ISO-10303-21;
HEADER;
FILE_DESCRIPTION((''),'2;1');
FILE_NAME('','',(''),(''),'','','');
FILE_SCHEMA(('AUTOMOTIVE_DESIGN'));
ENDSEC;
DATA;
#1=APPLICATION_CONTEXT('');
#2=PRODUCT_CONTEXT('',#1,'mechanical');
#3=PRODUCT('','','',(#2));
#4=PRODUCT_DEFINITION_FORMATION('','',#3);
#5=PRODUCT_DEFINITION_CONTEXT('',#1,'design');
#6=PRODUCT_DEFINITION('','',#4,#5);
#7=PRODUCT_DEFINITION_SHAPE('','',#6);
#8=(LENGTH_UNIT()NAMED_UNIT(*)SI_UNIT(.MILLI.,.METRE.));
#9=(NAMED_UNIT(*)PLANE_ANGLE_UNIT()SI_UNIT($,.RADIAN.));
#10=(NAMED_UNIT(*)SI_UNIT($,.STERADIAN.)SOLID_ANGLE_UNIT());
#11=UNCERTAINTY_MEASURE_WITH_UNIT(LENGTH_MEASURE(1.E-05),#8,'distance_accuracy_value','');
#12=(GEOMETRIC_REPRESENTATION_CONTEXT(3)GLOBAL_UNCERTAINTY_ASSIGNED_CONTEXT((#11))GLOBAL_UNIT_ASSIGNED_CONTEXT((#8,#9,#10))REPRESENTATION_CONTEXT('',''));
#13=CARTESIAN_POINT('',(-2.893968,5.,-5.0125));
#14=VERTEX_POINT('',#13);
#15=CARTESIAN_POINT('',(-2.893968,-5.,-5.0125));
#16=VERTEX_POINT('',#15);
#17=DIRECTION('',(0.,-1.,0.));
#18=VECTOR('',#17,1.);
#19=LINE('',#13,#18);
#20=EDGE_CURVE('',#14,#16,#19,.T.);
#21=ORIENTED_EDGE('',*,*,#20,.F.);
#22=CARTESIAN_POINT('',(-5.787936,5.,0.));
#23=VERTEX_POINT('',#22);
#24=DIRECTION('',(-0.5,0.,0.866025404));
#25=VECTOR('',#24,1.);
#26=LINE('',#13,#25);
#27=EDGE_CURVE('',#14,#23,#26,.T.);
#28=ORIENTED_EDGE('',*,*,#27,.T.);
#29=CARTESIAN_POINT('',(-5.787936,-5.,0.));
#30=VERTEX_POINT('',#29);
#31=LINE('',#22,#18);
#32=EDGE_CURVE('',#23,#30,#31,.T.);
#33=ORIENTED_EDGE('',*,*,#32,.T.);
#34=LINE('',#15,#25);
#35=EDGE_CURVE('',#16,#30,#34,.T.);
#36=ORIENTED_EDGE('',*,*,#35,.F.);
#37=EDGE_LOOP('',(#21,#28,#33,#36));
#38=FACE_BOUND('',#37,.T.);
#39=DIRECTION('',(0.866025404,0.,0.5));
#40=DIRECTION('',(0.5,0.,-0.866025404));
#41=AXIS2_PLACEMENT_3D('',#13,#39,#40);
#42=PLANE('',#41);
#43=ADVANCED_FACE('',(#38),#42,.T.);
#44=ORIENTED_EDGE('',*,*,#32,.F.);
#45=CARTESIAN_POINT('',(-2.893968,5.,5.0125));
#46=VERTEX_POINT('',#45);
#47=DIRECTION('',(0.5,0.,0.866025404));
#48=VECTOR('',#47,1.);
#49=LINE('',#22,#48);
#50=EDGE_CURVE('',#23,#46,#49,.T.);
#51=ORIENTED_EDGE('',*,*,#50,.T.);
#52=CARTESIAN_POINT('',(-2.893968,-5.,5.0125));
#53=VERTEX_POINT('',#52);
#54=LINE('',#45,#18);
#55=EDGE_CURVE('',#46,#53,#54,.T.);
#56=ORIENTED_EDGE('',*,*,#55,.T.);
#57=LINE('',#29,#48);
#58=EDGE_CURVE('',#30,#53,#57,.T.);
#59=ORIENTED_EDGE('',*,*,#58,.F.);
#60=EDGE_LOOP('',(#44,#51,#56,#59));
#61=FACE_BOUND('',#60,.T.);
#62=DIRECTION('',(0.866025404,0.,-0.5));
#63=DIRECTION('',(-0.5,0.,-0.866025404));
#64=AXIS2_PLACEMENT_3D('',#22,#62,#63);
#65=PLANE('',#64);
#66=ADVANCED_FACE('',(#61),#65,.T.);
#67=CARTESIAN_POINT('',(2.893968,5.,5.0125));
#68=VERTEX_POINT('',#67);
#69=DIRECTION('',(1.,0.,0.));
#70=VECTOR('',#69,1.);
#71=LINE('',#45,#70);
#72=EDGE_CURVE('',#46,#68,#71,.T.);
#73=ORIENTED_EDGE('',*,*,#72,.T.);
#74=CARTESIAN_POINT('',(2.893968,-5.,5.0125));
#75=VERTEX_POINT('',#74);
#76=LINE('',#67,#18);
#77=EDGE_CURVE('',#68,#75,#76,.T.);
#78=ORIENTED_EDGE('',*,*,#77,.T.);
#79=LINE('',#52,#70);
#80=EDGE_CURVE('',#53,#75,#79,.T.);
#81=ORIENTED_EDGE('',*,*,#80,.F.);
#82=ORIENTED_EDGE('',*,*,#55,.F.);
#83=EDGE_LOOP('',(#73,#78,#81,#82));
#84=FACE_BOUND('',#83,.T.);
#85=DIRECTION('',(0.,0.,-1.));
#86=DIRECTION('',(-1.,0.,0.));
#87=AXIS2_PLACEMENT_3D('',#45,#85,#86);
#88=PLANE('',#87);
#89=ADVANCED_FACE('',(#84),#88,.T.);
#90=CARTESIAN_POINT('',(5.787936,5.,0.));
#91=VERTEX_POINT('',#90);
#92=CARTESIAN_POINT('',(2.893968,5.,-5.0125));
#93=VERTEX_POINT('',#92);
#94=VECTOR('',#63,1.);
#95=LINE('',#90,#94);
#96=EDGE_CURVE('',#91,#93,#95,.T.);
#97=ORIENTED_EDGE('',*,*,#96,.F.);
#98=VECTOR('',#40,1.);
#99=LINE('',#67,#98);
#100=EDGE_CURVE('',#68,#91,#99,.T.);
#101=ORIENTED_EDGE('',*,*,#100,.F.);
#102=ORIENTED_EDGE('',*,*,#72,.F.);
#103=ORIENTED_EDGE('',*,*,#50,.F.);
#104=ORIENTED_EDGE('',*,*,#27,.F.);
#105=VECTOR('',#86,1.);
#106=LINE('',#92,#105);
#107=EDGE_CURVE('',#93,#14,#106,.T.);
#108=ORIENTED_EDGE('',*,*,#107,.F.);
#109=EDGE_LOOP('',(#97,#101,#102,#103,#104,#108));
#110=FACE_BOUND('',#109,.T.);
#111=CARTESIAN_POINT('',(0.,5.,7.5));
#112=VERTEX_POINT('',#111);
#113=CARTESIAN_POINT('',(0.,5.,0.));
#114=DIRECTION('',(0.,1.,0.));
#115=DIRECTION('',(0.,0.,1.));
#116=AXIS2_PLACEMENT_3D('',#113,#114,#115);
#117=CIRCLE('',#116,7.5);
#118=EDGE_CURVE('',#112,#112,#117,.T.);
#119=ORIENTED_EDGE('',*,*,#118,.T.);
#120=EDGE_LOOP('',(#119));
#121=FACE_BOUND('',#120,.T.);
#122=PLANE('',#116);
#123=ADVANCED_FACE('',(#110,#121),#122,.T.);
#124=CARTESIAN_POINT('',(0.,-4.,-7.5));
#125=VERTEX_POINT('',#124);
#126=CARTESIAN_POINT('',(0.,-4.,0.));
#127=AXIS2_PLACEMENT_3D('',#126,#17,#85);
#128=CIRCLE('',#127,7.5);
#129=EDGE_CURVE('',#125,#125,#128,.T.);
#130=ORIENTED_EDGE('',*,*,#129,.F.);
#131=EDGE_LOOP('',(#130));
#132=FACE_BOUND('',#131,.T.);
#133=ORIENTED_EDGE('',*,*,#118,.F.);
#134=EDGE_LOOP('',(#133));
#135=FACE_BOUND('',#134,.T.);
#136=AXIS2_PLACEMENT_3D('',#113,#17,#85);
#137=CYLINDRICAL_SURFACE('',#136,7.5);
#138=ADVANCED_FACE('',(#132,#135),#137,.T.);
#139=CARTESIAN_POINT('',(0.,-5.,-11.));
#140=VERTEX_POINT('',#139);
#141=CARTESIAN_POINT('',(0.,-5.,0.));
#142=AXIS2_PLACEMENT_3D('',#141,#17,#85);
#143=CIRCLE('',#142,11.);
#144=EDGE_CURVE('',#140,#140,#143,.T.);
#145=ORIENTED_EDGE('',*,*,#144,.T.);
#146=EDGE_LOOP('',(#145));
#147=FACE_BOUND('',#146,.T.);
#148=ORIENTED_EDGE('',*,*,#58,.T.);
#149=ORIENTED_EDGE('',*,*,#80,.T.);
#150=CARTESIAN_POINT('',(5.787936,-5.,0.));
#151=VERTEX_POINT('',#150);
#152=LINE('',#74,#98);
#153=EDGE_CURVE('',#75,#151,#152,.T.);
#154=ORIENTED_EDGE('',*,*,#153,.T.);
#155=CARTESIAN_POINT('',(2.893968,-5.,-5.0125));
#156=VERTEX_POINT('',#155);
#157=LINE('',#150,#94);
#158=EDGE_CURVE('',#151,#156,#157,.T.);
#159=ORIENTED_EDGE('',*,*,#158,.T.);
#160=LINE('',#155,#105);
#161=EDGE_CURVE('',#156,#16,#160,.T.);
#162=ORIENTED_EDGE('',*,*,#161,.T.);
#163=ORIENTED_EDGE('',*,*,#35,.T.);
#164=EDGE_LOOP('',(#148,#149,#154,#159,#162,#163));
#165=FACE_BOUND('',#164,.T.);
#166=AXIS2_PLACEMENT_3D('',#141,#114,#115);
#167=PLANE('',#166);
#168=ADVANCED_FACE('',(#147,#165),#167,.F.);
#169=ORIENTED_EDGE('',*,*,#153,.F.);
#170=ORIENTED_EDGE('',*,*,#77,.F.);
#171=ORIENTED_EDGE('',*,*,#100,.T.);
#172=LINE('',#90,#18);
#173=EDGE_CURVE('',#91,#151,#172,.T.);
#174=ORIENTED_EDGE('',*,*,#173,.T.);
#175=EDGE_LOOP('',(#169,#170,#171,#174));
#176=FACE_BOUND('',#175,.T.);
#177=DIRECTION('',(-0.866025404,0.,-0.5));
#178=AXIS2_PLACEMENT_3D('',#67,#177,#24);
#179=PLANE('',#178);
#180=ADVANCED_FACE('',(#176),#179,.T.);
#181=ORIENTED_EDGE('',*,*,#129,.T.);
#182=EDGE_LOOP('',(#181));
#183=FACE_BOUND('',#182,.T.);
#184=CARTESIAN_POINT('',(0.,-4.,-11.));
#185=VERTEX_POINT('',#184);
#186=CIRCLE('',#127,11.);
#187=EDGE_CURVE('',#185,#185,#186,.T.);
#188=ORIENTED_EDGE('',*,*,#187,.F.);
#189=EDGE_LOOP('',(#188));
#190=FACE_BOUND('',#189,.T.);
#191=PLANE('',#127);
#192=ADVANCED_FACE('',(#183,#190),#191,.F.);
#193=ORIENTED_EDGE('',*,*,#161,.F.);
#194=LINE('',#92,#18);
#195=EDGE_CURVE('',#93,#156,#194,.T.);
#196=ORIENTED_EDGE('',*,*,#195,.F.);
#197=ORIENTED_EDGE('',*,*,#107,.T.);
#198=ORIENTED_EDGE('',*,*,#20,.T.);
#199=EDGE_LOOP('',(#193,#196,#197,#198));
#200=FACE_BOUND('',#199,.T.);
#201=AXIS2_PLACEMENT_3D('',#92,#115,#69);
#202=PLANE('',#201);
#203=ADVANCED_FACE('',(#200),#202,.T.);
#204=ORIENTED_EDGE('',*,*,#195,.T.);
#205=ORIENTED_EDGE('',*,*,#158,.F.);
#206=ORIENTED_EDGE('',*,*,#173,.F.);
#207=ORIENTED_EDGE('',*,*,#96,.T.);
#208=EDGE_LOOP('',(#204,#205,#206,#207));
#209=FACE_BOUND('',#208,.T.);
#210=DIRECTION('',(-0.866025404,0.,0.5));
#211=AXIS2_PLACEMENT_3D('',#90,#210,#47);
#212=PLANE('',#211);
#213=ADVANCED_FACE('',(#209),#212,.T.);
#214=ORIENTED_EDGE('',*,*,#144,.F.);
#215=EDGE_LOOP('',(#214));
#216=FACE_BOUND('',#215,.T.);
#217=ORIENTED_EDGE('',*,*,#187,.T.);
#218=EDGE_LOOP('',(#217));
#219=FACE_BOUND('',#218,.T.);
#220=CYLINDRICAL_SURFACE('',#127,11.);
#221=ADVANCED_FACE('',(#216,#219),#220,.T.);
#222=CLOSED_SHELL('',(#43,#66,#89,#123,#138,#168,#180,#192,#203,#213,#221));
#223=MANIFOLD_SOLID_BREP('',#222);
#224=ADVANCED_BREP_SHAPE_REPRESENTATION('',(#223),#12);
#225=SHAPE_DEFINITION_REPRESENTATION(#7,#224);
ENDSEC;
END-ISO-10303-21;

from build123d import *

# Parameters (mm, degrees)
SKETCH1_R           = 7.5
BOSS_EXTRUDE1_DEPTH = 5
BOSS_EXTRUDE2_START = -1
SKETCH2_R           = 11
SKETCH2_R_2         = 7.5
BOSS_EXTRUDE2_DEPTH = 1


with BuildPart() as part:
    # Sketch1 → Boss-Extrude1 (new, symmetric)
    with BuildSketch(Plane(origin=(0, 0, 0), x_dir=(1, 0, 0), z_dir=(0, 1, 0))):
        Circle(SKETCH1_R)
        Polygon((-2.893968224, -5.0125), (2.893968224, -5.0125), (5.787936449, 0), (2.893968224, 5.0125), (-2.893968224, 5.0125), (-5.787936449, 0), align=None, mode=Mode.SUBTRACT)
    extrude(amount=BOSS_EXTRUDE1_DEPTH, both=True)

    # Sketch2 → Boss-Extrude2 (add)
    with BuildSketch(Plane.XZ.offset(5).offset(BOSS_EXTRUDE2_START)):
        Circle(SKETCH2_R)
        Circle(SKETCH2_R_2, mode=Mode.SUBTRACT)
    extrude(amount=BOSS_EXTRUDE2_DEPTH)


solid = part.part
